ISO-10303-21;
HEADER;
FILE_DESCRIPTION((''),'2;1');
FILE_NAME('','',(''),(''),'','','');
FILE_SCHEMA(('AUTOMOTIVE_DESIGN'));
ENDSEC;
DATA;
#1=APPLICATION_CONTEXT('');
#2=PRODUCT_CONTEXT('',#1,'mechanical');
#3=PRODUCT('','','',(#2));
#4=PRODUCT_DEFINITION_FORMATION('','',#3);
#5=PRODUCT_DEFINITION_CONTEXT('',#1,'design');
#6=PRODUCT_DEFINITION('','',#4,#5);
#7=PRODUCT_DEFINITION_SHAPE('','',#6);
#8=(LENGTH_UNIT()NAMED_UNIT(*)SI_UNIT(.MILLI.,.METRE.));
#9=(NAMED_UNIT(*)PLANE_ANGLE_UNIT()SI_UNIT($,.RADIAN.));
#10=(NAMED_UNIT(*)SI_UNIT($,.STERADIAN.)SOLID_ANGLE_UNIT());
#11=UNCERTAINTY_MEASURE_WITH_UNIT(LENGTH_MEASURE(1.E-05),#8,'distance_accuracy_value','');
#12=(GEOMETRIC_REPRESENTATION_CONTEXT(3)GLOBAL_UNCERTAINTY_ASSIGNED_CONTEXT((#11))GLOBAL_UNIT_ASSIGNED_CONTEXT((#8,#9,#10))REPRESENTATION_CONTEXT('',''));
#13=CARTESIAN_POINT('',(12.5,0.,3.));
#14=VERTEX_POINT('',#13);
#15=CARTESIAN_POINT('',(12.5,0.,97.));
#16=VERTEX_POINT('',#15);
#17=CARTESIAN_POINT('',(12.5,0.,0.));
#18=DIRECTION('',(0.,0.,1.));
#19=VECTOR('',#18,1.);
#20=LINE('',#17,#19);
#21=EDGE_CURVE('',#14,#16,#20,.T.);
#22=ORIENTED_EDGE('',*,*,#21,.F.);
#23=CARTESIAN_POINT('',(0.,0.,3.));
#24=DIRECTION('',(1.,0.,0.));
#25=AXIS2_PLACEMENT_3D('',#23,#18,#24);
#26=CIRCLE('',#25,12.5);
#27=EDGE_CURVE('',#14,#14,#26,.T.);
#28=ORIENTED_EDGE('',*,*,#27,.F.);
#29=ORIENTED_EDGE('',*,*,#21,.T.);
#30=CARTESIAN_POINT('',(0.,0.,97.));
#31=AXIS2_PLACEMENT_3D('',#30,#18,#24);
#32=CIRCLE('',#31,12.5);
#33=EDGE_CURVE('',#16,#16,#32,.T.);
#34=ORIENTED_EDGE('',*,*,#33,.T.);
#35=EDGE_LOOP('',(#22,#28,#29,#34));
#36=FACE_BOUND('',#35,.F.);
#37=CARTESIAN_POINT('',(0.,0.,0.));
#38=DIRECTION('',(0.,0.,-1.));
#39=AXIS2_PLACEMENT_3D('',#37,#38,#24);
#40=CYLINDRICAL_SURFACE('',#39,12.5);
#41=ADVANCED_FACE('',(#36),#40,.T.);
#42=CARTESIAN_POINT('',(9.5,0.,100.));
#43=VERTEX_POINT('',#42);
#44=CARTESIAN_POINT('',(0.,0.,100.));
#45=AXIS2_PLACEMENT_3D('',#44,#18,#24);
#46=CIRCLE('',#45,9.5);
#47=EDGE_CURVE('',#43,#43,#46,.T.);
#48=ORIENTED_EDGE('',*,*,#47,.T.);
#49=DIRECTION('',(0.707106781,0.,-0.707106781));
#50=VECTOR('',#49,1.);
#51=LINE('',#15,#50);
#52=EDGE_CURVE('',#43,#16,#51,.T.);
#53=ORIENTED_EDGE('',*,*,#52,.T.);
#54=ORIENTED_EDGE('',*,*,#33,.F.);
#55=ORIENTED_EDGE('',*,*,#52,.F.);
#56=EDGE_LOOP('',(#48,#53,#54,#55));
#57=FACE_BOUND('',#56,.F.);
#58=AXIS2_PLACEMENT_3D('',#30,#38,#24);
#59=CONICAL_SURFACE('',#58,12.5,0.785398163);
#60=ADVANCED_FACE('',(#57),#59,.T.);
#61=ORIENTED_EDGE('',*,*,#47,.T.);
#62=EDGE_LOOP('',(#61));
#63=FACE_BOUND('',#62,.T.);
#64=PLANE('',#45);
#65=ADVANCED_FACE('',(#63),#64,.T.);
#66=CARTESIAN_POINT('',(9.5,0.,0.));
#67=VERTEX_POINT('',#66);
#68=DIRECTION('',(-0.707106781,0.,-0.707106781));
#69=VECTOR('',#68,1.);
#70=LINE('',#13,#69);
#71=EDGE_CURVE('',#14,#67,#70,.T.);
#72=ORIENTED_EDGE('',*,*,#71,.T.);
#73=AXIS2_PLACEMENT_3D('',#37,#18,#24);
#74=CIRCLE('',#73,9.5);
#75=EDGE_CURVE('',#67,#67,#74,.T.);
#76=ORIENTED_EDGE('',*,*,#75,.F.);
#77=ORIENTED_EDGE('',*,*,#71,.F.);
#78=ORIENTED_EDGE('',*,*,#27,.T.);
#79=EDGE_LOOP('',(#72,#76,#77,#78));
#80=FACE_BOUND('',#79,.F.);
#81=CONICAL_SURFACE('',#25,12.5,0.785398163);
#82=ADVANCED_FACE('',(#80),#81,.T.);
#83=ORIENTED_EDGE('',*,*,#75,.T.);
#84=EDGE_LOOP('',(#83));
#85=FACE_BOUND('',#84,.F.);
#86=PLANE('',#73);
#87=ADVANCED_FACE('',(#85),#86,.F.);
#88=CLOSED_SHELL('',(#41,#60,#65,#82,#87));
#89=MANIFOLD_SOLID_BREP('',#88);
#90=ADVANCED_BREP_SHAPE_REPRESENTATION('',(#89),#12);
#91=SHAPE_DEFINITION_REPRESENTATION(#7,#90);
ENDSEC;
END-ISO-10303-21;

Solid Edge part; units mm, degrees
sketch "Sketch1" plane through (0, 0, 0) normal (0, 0, 1) x (1, 0, 0)
  circle A0 centre (0, 0) radius 12.5
extrude "Protrusion1" add sketch "Sketch1" along normal blind 100
chamfer "Chamfer_1" distance 3 angle 45 2 edges at (-12.5, 0, 100) (-12.5, 0, 0) measured on face at (-8.5833, -8.0833, 100)
